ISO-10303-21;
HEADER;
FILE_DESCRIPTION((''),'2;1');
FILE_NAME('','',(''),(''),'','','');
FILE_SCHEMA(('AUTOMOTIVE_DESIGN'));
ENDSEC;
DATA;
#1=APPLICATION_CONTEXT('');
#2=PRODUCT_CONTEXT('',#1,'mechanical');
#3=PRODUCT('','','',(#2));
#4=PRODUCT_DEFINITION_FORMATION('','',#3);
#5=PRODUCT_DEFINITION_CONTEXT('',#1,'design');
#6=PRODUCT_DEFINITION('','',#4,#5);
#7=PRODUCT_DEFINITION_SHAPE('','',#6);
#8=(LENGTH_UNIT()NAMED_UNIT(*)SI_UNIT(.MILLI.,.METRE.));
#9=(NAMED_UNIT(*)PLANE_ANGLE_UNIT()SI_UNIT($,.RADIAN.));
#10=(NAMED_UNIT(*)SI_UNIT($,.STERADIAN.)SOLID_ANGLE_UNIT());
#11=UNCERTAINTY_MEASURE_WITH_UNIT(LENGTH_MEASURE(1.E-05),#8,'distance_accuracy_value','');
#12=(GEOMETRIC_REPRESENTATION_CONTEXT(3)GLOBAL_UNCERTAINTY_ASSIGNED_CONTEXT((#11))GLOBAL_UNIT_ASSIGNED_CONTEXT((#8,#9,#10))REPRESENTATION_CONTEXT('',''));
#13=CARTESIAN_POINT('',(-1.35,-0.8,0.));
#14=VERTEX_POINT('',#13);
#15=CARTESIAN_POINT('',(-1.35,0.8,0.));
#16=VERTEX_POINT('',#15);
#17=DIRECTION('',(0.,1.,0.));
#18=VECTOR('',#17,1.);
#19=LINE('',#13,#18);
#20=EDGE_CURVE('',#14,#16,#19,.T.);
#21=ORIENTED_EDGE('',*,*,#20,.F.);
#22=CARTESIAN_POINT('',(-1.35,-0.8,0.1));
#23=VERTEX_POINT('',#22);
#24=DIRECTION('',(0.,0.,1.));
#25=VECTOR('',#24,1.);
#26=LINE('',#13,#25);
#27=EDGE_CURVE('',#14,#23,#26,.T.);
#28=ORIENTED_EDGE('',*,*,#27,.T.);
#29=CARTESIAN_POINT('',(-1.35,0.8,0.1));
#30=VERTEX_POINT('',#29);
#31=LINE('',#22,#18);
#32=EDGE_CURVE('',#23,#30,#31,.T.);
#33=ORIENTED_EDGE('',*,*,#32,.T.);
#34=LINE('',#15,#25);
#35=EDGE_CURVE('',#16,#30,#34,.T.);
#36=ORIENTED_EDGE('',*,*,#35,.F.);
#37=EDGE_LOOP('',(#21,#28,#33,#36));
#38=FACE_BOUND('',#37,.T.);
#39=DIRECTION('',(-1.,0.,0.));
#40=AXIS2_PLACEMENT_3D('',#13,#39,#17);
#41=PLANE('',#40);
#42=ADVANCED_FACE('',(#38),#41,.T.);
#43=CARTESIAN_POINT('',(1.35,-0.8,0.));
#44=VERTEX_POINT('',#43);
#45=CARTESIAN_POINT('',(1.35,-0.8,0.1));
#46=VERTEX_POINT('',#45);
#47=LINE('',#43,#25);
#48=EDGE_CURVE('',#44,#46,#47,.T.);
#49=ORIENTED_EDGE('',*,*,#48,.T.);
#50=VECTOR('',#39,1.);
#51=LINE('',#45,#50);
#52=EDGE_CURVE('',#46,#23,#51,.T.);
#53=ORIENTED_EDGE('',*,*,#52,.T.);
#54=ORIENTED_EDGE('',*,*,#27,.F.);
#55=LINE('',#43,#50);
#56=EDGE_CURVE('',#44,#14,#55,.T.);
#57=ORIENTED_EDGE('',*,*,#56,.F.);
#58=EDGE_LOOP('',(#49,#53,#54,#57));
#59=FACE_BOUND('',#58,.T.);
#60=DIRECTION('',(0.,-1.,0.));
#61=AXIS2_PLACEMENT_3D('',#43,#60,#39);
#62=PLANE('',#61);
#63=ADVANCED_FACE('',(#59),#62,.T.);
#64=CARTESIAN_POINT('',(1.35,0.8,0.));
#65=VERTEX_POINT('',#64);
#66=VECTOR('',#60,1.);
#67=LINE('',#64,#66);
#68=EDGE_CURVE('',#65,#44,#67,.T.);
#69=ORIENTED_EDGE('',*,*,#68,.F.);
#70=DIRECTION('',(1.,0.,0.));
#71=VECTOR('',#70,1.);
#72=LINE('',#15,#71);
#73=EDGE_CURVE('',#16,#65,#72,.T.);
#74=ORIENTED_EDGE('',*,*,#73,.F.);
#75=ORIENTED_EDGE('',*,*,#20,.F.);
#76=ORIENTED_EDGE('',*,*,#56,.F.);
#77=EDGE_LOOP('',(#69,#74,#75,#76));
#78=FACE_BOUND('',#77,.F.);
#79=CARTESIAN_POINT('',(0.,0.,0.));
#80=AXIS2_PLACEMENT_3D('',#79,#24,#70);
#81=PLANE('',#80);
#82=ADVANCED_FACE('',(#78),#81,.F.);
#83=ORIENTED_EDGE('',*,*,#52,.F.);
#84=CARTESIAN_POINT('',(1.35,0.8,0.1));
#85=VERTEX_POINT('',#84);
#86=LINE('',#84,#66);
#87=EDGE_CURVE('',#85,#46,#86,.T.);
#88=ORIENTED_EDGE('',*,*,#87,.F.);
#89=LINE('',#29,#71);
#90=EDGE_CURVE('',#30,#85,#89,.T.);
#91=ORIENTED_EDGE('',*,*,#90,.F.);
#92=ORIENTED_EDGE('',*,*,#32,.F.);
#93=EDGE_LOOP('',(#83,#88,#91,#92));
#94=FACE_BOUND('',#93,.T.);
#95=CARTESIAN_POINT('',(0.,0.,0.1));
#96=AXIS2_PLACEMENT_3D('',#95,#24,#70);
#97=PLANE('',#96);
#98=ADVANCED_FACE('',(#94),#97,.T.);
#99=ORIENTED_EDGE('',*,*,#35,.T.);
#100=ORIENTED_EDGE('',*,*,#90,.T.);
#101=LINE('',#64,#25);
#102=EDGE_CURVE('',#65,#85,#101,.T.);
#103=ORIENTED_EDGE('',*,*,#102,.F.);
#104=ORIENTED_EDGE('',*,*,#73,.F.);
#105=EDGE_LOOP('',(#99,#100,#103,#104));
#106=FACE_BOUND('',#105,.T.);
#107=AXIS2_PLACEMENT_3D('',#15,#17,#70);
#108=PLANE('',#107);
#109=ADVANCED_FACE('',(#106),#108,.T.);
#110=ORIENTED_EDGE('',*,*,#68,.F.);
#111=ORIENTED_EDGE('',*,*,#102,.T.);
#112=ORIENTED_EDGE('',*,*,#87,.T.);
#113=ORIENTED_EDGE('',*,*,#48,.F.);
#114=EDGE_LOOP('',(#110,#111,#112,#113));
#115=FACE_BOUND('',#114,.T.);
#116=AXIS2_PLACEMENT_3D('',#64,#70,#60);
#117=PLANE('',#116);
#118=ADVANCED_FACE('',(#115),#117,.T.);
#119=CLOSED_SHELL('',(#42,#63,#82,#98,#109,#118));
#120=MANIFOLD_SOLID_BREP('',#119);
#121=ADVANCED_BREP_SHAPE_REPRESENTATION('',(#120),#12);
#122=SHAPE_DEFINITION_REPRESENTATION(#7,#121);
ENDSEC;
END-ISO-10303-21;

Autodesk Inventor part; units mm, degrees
ref_plane "YZ Plane" through (0, 0, 0) normal (1, 0, 0) x (0, 1, 0)
ref_plane "XZ Plane" through (0, 0, 0) normal (0, 1, 0) x (-1, 0, 0)
ref_plane "XY Plane" through (0, 0, 0) normal (0, 0, 1) x (1, 0, 0)
sketch "SJ, SJ_288" plane through (0, 0, 0) normal (0, 0, 1) x (1, 0, 0)
  line L0 (1.35, 0.8) -> (1.35, -0.8)
  line L1 (1.35, -0.8) -> (-1.35, -0.8)
  line L2 (-1.35, -0.8) -> (-1.35, 0.8)
  line L3 (-1.35, 0.8) -> (1.35, 0.8)
extrude "Extrusion1" add sketch "SJ, SJ_288" along normal blind 0.1
properties part number "SJ"
